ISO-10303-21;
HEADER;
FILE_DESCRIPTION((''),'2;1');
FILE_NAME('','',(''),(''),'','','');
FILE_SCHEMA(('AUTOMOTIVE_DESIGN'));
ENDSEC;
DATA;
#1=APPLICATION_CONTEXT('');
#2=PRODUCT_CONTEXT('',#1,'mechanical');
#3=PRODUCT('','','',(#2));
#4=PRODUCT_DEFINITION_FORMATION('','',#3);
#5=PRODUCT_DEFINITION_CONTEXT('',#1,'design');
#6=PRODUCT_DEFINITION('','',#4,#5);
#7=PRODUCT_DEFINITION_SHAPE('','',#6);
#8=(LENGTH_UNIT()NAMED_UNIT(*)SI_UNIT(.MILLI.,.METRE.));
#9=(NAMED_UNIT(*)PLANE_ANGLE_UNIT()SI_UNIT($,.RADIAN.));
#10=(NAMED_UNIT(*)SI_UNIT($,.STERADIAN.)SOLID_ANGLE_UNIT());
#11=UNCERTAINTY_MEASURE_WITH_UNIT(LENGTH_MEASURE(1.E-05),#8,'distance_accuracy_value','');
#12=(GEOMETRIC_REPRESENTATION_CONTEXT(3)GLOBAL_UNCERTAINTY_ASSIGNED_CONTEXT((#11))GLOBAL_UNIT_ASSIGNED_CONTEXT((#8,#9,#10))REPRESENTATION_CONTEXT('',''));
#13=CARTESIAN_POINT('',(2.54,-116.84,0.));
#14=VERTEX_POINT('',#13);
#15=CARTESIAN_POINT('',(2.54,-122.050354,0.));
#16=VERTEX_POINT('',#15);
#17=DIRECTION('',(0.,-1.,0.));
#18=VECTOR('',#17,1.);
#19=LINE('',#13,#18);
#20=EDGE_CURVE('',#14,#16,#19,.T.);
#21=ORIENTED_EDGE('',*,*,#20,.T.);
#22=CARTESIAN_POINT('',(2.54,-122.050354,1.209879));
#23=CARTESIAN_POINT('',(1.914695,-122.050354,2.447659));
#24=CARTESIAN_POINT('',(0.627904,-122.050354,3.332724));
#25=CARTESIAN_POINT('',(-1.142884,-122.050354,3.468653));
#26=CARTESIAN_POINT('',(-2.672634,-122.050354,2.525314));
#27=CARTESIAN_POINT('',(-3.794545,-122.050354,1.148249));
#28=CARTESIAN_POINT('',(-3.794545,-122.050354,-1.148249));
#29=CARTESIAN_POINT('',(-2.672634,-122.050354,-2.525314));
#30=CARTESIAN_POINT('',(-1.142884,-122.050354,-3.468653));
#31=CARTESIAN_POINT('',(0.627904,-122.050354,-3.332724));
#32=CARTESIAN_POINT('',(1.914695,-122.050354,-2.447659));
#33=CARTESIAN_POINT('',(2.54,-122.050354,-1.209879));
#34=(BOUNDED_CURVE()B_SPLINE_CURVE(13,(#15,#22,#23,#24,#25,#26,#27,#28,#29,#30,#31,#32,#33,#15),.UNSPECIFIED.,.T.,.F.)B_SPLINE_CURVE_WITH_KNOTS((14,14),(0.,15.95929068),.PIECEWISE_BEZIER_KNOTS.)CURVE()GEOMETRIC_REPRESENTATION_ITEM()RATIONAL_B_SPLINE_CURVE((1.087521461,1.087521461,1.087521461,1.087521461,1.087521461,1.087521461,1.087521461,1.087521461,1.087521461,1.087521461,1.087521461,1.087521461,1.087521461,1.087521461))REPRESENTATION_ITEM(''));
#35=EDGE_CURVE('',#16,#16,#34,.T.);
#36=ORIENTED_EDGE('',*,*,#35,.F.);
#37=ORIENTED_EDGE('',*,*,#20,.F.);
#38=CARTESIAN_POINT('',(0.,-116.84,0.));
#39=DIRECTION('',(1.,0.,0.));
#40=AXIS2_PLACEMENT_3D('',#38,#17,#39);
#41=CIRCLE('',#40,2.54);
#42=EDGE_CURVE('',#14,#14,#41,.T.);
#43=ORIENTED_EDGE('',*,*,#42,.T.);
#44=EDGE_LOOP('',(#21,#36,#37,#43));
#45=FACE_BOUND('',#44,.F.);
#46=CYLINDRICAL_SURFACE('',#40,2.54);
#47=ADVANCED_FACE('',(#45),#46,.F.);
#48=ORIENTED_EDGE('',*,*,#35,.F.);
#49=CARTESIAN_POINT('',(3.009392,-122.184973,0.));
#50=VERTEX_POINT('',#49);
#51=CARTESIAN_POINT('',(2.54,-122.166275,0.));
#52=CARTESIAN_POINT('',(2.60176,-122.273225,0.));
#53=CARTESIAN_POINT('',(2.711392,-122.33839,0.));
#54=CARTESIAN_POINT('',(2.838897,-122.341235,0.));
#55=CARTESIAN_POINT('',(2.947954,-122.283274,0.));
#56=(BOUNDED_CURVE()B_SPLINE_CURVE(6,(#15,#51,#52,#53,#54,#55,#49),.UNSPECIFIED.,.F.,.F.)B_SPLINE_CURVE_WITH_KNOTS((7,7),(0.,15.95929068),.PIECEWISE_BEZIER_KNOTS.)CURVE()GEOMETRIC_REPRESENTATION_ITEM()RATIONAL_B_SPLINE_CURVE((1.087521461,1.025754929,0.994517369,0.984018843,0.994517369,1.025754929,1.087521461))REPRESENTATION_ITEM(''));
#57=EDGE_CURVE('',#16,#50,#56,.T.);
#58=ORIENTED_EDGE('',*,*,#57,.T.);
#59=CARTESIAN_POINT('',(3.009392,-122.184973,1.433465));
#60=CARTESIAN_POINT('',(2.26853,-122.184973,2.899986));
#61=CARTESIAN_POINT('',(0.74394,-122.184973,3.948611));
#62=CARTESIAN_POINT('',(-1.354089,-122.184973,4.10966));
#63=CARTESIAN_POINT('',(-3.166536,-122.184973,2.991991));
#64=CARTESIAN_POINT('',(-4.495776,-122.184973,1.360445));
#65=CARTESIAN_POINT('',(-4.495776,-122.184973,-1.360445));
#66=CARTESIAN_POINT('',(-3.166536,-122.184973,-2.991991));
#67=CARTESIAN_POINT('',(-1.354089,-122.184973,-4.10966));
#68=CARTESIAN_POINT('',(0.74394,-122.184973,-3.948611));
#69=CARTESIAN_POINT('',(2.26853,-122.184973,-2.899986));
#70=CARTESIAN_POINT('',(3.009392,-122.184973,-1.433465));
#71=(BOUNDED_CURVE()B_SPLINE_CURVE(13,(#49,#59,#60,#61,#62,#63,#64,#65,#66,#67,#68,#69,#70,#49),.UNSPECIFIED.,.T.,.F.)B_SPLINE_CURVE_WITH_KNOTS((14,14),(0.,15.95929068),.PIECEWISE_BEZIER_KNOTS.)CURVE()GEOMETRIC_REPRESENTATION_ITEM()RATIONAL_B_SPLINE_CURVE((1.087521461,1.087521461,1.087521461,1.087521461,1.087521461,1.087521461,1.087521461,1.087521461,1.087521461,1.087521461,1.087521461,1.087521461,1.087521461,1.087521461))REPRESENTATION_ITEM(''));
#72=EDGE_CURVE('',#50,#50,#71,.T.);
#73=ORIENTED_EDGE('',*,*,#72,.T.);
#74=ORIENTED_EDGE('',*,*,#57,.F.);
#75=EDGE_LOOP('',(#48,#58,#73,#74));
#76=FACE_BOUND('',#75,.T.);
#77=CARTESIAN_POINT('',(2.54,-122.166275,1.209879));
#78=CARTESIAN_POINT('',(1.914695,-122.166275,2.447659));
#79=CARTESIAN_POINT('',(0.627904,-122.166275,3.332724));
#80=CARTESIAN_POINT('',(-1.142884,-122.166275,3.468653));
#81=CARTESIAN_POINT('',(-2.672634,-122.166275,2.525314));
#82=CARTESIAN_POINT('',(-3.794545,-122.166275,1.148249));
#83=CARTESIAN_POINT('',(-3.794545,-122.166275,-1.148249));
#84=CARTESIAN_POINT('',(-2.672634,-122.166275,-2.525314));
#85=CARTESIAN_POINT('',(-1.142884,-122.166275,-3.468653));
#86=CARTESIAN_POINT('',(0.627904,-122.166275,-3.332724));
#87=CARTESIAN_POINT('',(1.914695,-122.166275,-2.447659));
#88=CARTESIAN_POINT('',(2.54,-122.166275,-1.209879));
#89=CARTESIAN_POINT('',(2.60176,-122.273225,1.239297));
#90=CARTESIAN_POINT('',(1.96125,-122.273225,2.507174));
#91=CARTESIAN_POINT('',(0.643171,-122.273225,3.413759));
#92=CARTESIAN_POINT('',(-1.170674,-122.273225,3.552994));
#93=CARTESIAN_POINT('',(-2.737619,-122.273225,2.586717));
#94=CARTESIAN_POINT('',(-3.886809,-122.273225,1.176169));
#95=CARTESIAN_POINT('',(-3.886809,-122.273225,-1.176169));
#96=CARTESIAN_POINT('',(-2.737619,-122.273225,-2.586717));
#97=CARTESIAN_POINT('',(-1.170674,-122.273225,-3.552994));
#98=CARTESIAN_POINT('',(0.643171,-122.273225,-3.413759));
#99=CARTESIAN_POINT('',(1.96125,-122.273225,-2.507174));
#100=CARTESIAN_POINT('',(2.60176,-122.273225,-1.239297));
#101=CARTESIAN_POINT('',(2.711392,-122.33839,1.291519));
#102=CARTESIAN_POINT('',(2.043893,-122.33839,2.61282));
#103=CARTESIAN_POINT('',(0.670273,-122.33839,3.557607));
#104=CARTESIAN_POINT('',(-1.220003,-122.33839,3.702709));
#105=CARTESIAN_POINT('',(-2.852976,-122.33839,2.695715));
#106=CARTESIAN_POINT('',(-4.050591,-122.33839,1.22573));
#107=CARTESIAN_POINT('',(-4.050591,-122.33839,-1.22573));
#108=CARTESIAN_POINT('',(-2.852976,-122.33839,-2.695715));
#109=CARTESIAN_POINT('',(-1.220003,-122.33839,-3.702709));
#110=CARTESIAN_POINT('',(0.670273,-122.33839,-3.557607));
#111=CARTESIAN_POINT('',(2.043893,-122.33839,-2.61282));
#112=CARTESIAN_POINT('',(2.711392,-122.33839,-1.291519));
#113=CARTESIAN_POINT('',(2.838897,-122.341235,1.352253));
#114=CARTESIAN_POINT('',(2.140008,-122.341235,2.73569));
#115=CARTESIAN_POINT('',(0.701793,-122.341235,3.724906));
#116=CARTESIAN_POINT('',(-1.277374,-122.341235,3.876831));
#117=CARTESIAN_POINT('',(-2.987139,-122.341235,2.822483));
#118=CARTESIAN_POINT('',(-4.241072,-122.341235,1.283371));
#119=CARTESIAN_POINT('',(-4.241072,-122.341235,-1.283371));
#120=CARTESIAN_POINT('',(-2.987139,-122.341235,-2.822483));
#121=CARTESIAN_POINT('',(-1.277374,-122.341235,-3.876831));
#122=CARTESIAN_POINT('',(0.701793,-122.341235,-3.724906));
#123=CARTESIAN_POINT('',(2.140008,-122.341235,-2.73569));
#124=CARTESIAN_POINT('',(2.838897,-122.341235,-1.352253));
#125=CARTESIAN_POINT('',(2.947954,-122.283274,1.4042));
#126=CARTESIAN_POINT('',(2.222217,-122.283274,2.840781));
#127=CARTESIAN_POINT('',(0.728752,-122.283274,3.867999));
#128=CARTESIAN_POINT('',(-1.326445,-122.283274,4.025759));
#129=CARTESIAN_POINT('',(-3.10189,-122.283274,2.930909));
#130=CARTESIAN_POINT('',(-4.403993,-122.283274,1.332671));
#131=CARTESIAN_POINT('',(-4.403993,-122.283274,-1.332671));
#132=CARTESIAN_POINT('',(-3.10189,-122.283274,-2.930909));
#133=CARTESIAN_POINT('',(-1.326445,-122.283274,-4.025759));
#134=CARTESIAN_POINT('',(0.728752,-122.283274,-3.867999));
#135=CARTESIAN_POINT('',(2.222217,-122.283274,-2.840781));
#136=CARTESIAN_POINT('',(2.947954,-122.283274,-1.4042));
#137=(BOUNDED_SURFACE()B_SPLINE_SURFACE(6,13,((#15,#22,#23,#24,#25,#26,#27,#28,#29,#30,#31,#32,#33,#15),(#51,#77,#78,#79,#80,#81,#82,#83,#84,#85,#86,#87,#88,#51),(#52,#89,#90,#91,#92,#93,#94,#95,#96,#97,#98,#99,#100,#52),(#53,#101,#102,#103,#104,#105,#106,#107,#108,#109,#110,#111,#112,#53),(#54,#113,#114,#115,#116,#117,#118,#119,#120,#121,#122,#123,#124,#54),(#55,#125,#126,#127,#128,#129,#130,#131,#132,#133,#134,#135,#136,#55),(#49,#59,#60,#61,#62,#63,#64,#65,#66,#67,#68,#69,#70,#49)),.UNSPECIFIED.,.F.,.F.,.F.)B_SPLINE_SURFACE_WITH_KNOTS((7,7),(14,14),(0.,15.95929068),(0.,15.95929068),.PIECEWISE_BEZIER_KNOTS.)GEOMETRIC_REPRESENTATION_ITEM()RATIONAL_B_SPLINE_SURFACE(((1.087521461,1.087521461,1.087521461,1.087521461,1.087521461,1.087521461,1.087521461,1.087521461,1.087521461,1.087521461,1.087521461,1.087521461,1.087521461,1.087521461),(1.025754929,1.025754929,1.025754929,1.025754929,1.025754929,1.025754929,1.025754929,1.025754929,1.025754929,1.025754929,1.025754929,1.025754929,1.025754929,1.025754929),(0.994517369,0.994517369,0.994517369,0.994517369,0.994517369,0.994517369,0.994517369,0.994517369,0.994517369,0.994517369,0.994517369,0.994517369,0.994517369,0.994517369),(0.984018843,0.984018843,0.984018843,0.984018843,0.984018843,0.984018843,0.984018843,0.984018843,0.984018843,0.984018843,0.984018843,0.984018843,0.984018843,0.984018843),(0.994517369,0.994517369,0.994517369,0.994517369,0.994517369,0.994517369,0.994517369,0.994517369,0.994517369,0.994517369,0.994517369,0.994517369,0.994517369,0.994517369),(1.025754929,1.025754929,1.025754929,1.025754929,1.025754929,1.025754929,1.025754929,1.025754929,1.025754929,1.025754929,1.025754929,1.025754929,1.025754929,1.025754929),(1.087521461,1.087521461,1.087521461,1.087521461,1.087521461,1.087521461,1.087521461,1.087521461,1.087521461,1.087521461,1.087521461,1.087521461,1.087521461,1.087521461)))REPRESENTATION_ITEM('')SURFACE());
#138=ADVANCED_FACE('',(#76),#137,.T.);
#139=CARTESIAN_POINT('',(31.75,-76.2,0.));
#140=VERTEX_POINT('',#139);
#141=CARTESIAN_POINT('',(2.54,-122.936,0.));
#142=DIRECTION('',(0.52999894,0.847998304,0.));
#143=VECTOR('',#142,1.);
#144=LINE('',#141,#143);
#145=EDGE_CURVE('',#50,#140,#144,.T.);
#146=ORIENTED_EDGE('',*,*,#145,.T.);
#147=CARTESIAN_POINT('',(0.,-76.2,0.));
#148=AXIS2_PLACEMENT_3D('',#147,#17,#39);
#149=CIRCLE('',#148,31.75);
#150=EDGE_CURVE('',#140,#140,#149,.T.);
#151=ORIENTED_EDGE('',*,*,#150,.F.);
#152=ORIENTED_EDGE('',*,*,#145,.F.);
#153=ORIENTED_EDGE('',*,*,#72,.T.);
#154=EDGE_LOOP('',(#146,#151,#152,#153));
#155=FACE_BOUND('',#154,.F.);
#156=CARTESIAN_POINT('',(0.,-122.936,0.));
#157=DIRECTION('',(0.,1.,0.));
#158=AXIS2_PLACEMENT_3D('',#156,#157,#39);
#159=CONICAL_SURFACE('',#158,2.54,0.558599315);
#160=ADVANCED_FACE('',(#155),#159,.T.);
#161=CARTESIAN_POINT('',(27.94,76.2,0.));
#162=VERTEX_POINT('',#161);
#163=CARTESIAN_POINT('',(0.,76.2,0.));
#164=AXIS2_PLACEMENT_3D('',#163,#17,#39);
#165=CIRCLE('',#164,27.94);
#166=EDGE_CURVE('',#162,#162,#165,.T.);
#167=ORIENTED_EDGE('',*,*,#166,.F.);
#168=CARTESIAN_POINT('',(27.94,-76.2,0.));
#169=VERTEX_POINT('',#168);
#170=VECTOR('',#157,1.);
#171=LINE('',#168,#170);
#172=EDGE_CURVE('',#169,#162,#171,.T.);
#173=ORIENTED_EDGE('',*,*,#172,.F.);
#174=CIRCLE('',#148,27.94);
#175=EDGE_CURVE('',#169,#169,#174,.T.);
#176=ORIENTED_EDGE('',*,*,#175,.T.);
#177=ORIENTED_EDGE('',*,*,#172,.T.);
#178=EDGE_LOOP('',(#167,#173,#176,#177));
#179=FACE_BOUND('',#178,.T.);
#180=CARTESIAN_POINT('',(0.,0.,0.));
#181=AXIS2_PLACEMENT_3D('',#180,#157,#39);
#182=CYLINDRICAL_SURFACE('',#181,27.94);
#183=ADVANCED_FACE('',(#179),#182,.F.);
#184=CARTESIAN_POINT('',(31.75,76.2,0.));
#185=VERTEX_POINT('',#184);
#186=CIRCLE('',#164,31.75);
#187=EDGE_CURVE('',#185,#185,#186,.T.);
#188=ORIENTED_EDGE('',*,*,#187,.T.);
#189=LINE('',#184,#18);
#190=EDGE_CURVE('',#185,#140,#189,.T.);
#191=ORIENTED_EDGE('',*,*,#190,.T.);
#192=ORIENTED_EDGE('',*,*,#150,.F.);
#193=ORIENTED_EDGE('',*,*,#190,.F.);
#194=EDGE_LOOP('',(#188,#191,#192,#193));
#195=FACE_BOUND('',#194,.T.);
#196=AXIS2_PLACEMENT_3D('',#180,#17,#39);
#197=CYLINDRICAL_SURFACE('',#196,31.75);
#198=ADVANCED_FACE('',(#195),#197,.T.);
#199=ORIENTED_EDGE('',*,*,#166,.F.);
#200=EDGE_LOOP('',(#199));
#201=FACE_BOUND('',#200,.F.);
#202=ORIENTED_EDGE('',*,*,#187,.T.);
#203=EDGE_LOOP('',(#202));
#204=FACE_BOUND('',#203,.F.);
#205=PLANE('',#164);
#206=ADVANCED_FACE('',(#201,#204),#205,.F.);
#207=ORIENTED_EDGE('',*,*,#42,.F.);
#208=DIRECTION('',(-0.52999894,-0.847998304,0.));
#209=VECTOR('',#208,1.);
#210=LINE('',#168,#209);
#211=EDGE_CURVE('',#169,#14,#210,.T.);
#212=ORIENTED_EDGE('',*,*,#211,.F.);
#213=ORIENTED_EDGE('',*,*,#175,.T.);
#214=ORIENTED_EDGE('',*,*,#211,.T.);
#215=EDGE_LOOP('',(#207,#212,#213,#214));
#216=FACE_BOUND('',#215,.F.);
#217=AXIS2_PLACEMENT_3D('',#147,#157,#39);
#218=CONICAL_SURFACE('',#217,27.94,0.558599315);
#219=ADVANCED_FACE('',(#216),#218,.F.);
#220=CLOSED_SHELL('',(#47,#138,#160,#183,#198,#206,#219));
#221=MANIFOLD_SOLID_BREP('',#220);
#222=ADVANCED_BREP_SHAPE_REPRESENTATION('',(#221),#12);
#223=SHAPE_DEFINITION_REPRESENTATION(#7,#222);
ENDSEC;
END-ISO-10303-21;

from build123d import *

# Parameters (mm, degrees)
F0_R     = 31.75
F0_R_2   = 27.94
F1_DEPTH = 76.2
F4_R     = 0.254


with BuildPart() as f1:
    # F0 (on Front) → F1 (new body, symmetric)
    with BuildSketch(Plane.XZ):
        Circle(F0_R)
        Circle(F0_R_2, mode=Mode.SUBTRACT)
    extrude(amount=F1_DEPTH, both=True)

    # F2 (on Top) → F3 (revolve)
    with BuildSketch(Plane.XY):
        Polygon((31.75, -76.2), (27.94, -76.2), (2.54, -116.84), (2.54, -122.936), align=None)
    revolve(axis=Axis((0, -64.747475, 0), (0, -1, 0)))

    # F4
    f4_edges = [f1.edges().sort_by_distance(p)[0] for p in [
        (-2.54, -122.936, 0),
    ]]
    fillet(f4_edges, radius=F4_R)


solid = f1.part
